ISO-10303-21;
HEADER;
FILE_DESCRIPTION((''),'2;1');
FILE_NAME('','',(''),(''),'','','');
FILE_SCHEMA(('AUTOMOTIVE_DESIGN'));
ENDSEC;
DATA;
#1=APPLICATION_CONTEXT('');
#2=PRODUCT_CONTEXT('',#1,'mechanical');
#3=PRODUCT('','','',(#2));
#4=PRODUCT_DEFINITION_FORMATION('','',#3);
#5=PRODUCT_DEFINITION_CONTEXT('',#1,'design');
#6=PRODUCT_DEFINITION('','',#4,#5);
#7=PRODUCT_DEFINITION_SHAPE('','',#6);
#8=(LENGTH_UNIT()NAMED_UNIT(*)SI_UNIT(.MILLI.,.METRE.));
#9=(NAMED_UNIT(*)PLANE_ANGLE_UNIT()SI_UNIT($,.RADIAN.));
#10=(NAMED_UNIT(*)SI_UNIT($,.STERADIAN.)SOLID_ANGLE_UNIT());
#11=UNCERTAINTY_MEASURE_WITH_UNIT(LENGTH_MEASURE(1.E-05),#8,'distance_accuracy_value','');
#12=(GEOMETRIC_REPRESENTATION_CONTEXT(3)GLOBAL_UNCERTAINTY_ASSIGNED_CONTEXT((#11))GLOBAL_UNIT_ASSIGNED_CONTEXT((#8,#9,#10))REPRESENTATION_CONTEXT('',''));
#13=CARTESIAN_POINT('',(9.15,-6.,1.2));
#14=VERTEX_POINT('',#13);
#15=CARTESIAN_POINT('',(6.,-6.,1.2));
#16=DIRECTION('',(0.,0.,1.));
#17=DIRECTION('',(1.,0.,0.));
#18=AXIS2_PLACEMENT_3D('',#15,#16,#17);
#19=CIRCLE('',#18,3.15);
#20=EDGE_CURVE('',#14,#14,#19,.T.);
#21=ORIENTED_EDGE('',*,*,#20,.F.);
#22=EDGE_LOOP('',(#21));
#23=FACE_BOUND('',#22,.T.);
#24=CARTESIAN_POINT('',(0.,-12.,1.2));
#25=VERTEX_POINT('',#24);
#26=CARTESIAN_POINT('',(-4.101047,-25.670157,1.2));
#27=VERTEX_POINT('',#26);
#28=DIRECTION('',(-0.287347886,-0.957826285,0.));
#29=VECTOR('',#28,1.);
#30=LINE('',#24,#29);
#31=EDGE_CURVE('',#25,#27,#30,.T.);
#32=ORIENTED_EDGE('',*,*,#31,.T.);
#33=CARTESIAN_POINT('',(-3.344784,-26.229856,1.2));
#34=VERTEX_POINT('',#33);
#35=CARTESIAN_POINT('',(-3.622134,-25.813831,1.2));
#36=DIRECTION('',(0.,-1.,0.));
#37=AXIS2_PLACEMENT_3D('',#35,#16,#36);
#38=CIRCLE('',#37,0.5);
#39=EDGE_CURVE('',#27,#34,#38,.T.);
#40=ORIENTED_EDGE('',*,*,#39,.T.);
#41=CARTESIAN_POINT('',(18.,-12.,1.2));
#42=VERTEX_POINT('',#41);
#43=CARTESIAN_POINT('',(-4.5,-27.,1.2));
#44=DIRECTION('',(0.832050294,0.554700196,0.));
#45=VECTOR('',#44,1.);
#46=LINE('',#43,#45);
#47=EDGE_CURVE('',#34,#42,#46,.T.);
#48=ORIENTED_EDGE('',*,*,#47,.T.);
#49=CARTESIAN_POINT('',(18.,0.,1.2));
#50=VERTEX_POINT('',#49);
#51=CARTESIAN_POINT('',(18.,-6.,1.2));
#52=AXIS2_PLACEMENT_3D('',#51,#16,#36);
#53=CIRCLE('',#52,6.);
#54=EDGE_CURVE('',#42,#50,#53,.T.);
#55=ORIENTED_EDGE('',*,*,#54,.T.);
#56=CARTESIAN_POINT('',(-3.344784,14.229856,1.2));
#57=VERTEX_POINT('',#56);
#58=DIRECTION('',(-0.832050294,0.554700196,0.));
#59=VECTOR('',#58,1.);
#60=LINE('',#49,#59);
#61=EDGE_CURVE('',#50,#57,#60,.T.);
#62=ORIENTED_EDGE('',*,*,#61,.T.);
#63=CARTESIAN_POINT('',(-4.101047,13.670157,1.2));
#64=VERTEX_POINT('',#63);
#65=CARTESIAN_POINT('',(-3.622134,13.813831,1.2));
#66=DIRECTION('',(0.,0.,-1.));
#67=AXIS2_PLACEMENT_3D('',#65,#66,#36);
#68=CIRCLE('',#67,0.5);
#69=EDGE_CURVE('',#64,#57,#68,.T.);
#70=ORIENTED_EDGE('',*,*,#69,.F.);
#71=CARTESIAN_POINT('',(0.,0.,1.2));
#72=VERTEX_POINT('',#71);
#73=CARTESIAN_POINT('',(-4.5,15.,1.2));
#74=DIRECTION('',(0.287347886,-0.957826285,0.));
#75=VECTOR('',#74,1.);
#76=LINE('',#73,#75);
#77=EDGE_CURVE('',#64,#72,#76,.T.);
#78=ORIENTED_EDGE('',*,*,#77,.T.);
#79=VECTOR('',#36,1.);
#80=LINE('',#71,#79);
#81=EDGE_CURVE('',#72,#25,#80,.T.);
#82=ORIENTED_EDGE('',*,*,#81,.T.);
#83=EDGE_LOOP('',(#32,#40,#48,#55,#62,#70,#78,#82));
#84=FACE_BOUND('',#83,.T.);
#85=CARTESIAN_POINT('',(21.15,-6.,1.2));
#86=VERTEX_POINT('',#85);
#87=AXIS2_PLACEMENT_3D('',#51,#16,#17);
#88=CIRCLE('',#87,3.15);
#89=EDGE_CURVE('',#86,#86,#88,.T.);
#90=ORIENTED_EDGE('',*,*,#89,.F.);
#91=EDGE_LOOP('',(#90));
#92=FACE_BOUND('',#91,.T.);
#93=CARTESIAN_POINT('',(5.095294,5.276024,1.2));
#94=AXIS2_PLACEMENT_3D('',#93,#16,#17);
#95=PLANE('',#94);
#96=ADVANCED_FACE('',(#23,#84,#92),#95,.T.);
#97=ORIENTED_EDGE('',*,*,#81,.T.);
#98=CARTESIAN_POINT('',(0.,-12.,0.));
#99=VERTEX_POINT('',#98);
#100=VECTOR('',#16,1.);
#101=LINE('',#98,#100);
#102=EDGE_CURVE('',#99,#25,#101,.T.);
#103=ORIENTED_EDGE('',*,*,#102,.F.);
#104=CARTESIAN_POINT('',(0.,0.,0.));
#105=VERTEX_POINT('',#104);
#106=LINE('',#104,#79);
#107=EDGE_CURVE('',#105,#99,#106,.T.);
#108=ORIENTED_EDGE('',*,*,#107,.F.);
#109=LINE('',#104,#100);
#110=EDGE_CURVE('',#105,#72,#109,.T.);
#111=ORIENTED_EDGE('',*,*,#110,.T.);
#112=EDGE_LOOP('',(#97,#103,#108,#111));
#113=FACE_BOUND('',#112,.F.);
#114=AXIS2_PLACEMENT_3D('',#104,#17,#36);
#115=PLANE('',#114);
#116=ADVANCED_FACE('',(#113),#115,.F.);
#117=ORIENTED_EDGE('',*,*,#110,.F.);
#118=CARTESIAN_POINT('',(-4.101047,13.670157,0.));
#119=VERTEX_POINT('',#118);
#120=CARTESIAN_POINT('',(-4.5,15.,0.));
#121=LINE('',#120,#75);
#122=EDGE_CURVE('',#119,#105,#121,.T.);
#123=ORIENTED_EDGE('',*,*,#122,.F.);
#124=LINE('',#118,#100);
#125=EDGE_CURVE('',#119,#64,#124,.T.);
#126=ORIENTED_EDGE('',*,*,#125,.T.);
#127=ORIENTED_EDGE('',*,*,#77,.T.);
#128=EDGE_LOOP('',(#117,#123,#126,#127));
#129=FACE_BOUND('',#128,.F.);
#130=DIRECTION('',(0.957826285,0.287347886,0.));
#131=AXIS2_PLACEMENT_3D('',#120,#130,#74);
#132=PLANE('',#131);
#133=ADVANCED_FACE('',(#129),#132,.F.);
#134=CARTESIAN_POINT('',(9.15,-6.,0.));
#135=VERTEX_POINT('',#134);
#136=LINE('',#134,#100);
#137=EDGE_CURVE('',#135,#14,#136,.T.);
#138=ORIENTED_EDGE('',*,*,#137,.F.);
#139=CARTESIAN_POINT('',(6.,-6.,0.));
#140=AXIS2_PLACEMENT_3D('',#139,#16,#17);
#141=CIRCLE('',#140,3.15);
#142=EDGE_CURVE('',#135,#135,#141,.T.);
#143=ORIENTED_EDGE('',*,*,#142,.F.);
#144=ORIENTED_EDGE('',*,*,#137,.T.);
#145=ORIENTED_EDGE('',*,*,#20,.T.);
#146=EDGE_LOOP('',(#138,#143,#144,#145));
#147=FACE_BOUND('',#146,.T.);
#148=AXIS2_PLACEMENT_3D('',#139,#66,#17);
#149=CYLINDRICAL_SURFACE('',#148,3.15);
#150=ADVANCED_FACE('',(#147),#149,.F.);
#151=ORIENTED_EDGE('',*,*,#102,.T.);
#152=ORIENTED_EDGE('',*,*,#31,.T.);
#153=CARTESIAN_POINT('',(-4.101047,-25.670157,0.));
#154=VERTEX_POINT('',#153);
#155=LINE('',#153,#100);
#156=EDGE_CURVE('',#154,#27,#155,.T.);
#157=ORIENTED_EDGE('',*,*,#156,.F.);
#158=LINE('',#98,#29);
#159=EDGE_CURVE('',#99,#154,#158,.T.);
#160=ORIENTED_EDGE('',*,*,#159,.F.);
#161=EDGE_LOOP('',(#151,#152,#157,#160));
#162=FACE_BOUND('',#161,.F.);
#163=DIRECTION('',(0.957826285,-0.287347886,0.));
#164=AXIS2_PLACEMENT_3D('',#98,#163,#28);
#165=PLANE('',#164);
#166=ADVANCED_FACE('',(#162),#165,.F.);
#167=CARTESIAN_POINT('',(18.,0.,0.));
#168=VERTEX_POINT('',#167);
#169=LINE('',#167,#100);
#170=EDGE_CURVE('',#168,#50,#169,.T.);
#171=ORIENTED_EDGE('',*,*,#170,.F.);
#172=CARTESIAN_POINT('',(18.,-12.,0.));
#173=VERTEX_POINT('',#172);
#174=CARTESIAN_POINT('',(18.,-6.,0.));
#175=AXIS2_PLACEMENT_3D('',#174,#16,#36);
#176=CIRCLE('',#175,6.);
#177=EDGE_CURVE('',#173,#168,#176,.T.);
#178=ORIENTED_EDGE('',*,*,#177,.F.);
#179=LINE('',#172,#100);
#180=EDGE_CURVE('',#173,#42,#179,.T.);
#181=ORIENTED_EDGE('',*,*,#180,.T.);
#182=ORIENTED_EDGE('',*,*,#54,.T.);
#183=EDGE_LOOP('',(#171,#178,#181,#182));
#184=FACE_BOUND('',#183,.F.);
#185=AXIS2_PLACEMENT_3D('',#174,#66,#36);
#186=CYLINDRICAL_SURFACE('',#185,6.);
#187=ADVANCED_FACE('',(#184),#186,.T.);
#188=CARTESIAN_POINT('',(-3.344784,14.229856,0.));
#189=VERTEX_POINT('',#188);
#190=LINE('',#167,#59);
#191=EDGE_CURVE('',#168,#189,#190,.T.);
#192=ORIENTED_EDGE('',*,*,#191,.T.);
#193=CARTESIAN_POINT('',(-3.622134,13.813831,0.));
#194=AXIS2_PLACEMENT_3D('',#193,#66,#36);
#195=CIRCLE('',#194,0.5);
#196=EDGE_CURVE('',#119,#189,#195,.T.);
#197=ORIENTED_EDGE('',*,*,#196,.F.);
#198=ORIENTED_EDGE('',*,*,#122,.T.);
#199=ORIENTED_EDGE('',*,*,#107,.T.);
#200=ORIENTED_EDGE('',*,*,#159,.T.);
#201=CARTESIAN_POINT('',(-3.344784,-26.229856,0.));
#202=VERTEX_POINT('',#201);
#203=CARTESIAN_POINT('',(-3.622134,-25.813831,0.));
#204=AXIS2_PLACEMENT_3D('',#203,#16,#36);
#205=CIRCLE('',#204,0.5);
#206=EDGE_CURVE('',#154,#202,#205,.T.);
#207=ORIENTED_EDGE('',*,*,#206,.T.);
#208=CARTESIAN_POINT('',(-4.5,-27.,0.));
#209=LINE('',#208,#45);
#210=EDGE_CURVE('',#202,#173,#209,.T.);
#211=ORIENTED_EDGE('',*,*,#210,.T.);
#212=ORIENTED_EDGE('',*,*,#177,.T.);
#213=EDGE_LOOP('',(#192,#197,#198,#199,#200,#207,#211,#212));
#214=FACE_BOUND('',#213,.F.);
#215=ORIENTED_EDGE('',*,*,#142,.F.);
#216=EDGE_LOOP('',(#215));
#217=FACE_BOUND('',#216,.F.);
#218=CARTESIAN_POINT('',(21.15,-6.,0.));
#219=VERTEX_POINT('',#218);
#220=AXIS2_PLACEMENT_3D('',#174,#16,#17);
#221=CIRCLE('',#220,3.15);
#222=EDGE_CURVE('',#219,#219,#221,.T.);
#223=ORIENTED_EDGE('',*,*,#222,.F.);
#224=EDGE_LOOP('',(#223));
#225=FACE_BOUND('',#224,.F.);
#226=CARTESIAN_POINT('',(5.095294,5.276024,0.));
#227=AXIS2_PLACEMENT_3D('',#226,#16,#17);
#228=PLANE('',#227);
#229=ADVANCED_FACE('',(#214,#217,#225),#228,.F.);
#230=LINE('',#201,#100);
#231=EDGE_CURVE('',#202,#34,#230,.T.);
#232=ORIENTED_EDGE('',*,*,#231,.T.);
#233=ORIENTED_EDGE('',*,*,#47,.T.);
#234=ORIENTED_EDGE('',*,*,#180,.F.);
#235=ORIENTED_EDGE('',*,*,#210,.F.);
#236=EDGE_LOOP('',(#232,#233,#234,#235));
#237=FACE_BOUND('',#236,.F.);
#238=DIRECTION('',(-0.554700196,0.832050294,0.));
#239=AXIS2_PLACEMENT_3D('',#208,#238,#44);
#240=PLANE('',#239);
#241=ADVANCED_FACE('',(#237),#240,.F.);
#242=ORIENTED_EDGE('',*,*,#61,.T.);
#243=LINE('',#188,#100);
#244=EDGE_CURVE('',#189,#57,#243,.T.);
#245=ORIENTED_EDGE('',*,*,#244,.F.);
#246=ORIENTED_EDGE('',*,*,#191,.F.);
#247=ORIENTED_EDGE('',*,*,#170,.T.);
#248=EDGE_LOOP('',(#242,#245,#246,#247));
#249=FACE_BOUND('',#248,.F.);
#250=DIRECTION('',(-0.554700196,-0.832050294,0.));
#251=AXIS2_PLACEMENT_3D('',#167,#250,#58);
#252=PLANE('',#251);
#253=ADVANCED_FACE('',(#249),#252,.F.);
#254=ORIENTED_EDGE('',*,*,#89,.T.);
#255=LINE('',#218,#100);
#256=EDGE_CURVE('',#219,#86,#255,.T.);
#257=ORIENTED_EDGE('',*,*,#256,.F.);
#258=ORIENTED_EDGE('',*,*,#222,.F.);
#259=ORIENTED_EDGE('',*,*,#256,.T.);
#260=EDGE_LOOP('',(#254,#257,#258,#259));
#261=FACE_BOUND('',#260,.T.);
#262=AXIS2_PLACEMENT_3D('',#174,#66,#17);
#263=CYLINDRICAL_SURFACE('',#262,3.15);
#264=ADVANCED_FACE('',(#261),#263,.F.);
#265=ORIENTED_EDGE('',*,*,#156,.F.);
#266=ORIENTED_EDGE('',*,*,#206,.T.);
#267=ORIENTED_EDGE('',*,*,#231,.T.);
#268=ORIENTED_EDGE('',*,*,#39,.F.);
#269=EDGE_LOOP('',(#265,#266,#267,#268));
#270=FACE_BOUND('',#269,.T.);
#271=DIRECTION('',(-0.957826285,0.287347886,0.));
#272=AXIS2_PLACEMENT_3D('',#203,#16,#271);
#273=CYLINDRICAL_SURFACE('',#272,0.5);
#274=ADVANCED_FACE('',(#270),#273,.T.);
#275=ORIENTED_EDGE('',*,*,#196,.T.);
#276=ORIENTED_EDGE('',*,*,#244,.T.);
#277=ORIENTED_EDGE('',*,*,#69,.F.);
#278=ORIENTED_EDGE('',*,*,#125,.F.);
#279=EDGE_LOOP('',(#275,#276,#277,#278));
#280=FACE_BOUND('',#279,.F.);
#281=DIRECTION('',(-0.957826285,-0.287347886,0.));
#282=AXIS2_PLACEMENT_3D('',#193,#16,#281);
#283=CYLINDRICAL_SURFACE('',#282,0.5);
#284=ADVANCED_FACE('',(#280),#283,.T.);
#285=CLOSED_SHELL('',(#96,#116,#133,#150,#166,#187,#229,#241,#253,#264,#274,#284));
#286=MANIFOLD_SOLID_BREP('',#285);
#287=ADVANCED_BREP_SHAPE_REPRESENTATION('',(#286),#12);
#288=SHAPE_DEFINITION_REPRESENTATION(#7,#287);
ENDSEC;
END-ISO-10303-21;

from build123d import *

# Parameters (mm, degrees)
F0_R     = 3.15
F1_DEPTH = 1.2
F2_R     = 0.5


with BuildPart() as f1:
    # F0 (on Top) → F1 (new body)
    with BuildSketch(Plane.XY):
        Polygon((-4.5, 15), (0, 0), (18, 0), align=None)
        with BuildLine():
            Line((18, 0), (0, 0))
            Line((0, 0), (0, -12))
            Line((0, -12), (18, -12))
            ThreePointArc((18, -12), (24, -6), (18, 0))
        make_face()
        with Locations((6, -6)):
            Circle(F0_R, mode=Mode.SUBTRACT)
        with Locations((18, -6)):
            Circle(F0_R, mode=Mode.SUBTRACT)
        Polygon((18, -12), (0, -12), (-4.5, -27), align=None)
    extrude(amount=F1_DEPTH)

    # F2
    f2_edges = [f1.edges().sort_by_distance(p)[0] for p in [
        (-4.5, -27, 0.6),
        (-4.5, 15, 0.6),
    ]]
    fillet(f2_edges, radius=F2_R)


solid = f1.part
